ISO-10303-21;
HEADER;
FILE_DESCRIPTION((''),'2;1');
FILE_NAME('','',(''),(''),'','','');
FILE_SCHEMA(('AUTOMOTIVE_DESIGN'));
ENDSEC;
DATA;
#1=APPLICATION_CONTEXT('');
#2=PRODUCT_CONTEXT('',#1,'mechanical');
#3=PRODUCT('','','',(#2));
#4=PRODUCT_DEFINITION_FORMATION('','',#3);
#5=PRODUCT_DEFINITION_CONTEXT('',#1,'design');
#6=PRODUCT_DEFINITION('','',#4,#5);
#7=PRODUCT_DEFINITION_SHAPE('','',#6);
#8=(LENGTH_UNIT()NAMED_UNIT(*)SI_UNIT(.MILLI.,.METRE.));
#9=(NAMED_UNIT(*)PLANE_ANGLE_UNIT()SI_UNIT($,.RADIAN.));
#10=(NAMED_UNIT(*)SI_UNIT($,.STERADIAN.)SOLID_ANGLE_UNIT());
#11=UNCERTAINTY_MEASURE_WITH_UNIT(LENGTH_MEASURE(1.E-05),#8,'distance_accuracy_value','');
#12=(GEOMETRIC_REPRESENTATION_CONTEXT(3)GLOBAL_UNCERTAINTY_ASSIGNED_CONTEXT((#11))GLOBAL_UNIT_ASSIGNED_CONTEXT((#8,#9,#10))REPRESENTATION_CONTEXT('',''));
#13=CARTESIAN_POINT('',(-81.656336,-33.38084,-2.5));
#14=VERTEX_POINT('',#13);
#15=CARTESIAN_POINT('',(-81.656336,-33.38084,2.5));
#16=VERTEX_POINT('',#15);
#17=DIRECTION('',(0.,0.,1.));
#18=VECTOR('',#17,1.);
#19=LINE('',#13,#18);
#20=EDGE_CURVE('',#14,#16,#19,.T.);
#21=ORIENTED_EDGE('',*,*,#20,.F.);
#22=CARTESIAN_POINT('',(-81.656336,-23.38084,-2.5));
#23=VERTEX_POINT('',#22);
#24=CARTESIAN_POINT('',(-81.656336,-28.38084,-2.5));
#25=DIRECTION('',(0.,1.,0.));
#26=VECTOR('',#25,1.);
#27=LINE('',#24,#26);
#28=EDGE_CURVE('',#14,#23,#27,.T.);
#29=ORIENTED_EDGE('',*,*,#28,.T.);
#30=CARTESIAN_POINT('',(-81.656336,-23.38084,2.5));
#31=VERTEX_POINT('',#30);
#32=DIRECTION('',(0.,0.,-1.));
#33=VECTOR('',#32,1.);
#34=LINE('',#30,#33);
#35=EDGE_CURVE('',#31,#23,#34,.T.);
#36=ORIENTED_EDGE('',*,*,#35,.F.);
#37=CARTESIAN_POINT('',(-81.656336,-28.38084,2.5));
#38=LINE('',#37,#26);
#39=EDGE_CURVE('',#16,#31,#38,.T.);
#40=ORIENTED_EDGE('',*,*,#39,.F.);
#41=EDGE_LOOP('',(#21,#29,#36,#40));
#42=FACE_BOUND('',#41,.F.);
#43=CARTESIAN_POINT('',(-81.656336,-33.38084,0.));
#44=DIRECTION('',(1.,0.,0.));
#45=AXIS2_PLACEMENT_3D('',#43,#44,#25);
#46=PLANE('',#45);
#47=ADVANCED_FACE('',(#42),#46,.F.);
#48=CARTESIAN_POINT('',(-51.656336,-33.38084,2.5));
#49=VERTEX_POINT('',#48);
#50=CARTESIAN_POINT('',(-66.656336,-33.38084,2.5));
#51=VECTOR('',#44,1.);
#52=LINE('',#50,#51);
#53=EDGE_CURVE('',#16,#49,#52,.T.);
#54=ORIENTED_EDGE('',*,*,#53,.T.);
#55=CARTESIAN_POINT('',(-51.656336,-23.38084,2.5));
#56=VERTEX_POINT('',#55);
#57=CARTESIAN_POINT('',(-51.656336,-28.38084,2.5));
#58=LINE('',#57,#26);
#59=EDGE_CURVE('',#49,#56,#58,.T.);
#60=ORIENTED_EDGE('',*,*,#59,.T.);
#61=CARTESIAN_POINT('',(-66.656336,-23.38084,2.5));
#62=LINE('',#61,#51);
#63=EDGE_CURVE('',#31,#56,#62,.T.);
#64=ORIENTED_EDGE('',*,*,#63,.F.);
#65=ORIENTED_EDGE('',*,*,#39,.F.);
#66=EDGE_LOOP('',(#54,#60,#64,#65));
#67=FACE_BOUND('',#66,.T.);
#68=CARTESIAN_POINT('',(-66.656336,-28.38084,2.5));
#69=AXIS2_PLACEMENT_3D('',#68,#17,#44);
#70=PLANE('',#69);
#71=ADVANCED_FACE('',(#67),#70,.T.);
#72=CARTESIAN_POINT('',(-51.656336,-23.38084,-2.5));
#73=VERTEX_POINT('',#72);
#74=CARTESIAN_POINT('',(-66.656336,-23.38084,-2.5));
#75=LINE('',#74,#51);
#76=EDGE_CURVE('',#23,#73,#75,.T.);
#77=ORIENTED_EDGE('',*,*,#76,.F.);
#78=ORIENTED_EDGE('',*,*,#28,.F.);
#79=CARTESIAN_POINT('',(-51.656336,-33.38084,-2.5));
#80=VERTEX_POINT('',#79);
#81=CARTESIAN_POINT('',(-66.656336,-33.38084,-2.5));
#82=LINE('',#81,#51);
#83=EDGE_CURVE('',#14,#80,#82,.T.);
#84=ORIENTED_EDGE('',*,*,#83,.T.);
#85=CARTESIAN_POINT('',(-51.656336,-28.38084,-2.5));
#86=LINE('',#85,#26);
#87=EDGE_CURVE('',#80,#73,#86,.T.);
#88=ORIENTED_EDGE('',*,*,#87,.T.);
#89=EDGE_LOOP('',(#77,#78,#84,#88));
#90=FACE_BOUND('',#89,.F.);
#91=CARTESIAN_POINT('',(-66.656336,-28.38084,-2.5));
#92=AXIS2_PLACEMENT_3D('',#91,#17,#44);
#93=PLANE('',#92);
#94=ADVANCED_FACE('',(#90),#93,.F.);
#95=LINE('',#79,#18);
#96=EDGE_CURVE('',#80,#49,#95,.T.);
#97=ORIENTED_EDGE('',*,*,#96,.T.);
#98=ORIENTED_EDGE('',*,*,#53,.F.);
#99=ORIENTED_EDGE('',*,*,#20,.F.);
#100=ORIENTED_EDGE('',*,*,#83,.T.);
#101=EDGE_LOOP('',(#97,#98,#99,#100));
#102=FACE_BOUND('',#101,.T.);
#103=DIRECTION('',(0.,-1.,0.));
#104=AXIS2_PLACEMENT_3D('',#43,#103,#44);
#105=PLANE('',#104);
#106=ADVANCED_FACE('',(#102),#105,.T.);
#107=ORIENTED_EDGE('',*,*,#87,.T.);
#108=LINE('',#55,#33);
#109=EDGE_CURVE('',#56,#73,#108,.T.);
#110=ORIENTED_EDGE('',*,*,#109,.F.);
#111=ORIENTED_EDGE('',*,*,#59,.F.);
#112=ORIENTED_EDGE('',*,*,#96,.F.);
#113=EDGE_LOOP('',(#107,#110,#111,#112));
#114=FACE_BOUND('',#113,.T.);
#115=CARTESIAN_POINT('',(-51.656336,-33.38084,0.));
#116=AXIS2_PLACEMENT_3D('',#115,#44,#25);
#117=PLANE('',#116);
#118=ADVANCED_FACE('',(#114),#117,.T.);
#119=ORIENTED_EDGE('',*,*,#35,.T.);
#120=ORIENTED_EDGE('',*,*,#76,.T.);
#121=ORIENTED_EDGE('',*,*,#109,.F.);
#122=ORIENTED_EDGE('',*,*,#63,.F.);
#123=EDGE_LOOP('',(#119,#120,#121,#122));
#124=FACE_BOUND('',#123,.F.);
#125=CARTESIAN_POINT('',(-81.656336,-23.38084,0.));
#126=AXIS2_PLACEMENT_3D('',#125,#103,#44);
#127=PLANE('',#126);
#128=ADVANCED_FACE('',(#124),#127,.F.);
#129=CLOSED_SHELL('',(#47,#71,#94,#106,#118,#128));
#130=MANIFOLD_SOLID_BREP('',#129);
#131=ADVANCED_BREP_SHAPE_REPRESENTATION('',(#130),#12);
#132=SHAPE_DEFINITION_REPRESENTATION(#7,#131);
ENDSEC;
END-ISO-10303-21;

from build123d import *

# Parameters (mm, degrees)
ESQUISSE2_W        = 30
ESQUISSE2_H        = 10
BOSS_EXTRU_2_DEPTH = 2.5


with BuildPart() as part:
    # Esquisse2 → Boss.-Extru.2 (new body, symmetric)
    with BuildSketch(Plane.XY):
        with Locations((-66.65633555, -28.380839861)):
            Rectangle(ESQUISSE2_W, ESQUISSE2_H)
    extrude(amount=BOSS_EXTRU_2_DEPTH, both=True)


solid = part.part
